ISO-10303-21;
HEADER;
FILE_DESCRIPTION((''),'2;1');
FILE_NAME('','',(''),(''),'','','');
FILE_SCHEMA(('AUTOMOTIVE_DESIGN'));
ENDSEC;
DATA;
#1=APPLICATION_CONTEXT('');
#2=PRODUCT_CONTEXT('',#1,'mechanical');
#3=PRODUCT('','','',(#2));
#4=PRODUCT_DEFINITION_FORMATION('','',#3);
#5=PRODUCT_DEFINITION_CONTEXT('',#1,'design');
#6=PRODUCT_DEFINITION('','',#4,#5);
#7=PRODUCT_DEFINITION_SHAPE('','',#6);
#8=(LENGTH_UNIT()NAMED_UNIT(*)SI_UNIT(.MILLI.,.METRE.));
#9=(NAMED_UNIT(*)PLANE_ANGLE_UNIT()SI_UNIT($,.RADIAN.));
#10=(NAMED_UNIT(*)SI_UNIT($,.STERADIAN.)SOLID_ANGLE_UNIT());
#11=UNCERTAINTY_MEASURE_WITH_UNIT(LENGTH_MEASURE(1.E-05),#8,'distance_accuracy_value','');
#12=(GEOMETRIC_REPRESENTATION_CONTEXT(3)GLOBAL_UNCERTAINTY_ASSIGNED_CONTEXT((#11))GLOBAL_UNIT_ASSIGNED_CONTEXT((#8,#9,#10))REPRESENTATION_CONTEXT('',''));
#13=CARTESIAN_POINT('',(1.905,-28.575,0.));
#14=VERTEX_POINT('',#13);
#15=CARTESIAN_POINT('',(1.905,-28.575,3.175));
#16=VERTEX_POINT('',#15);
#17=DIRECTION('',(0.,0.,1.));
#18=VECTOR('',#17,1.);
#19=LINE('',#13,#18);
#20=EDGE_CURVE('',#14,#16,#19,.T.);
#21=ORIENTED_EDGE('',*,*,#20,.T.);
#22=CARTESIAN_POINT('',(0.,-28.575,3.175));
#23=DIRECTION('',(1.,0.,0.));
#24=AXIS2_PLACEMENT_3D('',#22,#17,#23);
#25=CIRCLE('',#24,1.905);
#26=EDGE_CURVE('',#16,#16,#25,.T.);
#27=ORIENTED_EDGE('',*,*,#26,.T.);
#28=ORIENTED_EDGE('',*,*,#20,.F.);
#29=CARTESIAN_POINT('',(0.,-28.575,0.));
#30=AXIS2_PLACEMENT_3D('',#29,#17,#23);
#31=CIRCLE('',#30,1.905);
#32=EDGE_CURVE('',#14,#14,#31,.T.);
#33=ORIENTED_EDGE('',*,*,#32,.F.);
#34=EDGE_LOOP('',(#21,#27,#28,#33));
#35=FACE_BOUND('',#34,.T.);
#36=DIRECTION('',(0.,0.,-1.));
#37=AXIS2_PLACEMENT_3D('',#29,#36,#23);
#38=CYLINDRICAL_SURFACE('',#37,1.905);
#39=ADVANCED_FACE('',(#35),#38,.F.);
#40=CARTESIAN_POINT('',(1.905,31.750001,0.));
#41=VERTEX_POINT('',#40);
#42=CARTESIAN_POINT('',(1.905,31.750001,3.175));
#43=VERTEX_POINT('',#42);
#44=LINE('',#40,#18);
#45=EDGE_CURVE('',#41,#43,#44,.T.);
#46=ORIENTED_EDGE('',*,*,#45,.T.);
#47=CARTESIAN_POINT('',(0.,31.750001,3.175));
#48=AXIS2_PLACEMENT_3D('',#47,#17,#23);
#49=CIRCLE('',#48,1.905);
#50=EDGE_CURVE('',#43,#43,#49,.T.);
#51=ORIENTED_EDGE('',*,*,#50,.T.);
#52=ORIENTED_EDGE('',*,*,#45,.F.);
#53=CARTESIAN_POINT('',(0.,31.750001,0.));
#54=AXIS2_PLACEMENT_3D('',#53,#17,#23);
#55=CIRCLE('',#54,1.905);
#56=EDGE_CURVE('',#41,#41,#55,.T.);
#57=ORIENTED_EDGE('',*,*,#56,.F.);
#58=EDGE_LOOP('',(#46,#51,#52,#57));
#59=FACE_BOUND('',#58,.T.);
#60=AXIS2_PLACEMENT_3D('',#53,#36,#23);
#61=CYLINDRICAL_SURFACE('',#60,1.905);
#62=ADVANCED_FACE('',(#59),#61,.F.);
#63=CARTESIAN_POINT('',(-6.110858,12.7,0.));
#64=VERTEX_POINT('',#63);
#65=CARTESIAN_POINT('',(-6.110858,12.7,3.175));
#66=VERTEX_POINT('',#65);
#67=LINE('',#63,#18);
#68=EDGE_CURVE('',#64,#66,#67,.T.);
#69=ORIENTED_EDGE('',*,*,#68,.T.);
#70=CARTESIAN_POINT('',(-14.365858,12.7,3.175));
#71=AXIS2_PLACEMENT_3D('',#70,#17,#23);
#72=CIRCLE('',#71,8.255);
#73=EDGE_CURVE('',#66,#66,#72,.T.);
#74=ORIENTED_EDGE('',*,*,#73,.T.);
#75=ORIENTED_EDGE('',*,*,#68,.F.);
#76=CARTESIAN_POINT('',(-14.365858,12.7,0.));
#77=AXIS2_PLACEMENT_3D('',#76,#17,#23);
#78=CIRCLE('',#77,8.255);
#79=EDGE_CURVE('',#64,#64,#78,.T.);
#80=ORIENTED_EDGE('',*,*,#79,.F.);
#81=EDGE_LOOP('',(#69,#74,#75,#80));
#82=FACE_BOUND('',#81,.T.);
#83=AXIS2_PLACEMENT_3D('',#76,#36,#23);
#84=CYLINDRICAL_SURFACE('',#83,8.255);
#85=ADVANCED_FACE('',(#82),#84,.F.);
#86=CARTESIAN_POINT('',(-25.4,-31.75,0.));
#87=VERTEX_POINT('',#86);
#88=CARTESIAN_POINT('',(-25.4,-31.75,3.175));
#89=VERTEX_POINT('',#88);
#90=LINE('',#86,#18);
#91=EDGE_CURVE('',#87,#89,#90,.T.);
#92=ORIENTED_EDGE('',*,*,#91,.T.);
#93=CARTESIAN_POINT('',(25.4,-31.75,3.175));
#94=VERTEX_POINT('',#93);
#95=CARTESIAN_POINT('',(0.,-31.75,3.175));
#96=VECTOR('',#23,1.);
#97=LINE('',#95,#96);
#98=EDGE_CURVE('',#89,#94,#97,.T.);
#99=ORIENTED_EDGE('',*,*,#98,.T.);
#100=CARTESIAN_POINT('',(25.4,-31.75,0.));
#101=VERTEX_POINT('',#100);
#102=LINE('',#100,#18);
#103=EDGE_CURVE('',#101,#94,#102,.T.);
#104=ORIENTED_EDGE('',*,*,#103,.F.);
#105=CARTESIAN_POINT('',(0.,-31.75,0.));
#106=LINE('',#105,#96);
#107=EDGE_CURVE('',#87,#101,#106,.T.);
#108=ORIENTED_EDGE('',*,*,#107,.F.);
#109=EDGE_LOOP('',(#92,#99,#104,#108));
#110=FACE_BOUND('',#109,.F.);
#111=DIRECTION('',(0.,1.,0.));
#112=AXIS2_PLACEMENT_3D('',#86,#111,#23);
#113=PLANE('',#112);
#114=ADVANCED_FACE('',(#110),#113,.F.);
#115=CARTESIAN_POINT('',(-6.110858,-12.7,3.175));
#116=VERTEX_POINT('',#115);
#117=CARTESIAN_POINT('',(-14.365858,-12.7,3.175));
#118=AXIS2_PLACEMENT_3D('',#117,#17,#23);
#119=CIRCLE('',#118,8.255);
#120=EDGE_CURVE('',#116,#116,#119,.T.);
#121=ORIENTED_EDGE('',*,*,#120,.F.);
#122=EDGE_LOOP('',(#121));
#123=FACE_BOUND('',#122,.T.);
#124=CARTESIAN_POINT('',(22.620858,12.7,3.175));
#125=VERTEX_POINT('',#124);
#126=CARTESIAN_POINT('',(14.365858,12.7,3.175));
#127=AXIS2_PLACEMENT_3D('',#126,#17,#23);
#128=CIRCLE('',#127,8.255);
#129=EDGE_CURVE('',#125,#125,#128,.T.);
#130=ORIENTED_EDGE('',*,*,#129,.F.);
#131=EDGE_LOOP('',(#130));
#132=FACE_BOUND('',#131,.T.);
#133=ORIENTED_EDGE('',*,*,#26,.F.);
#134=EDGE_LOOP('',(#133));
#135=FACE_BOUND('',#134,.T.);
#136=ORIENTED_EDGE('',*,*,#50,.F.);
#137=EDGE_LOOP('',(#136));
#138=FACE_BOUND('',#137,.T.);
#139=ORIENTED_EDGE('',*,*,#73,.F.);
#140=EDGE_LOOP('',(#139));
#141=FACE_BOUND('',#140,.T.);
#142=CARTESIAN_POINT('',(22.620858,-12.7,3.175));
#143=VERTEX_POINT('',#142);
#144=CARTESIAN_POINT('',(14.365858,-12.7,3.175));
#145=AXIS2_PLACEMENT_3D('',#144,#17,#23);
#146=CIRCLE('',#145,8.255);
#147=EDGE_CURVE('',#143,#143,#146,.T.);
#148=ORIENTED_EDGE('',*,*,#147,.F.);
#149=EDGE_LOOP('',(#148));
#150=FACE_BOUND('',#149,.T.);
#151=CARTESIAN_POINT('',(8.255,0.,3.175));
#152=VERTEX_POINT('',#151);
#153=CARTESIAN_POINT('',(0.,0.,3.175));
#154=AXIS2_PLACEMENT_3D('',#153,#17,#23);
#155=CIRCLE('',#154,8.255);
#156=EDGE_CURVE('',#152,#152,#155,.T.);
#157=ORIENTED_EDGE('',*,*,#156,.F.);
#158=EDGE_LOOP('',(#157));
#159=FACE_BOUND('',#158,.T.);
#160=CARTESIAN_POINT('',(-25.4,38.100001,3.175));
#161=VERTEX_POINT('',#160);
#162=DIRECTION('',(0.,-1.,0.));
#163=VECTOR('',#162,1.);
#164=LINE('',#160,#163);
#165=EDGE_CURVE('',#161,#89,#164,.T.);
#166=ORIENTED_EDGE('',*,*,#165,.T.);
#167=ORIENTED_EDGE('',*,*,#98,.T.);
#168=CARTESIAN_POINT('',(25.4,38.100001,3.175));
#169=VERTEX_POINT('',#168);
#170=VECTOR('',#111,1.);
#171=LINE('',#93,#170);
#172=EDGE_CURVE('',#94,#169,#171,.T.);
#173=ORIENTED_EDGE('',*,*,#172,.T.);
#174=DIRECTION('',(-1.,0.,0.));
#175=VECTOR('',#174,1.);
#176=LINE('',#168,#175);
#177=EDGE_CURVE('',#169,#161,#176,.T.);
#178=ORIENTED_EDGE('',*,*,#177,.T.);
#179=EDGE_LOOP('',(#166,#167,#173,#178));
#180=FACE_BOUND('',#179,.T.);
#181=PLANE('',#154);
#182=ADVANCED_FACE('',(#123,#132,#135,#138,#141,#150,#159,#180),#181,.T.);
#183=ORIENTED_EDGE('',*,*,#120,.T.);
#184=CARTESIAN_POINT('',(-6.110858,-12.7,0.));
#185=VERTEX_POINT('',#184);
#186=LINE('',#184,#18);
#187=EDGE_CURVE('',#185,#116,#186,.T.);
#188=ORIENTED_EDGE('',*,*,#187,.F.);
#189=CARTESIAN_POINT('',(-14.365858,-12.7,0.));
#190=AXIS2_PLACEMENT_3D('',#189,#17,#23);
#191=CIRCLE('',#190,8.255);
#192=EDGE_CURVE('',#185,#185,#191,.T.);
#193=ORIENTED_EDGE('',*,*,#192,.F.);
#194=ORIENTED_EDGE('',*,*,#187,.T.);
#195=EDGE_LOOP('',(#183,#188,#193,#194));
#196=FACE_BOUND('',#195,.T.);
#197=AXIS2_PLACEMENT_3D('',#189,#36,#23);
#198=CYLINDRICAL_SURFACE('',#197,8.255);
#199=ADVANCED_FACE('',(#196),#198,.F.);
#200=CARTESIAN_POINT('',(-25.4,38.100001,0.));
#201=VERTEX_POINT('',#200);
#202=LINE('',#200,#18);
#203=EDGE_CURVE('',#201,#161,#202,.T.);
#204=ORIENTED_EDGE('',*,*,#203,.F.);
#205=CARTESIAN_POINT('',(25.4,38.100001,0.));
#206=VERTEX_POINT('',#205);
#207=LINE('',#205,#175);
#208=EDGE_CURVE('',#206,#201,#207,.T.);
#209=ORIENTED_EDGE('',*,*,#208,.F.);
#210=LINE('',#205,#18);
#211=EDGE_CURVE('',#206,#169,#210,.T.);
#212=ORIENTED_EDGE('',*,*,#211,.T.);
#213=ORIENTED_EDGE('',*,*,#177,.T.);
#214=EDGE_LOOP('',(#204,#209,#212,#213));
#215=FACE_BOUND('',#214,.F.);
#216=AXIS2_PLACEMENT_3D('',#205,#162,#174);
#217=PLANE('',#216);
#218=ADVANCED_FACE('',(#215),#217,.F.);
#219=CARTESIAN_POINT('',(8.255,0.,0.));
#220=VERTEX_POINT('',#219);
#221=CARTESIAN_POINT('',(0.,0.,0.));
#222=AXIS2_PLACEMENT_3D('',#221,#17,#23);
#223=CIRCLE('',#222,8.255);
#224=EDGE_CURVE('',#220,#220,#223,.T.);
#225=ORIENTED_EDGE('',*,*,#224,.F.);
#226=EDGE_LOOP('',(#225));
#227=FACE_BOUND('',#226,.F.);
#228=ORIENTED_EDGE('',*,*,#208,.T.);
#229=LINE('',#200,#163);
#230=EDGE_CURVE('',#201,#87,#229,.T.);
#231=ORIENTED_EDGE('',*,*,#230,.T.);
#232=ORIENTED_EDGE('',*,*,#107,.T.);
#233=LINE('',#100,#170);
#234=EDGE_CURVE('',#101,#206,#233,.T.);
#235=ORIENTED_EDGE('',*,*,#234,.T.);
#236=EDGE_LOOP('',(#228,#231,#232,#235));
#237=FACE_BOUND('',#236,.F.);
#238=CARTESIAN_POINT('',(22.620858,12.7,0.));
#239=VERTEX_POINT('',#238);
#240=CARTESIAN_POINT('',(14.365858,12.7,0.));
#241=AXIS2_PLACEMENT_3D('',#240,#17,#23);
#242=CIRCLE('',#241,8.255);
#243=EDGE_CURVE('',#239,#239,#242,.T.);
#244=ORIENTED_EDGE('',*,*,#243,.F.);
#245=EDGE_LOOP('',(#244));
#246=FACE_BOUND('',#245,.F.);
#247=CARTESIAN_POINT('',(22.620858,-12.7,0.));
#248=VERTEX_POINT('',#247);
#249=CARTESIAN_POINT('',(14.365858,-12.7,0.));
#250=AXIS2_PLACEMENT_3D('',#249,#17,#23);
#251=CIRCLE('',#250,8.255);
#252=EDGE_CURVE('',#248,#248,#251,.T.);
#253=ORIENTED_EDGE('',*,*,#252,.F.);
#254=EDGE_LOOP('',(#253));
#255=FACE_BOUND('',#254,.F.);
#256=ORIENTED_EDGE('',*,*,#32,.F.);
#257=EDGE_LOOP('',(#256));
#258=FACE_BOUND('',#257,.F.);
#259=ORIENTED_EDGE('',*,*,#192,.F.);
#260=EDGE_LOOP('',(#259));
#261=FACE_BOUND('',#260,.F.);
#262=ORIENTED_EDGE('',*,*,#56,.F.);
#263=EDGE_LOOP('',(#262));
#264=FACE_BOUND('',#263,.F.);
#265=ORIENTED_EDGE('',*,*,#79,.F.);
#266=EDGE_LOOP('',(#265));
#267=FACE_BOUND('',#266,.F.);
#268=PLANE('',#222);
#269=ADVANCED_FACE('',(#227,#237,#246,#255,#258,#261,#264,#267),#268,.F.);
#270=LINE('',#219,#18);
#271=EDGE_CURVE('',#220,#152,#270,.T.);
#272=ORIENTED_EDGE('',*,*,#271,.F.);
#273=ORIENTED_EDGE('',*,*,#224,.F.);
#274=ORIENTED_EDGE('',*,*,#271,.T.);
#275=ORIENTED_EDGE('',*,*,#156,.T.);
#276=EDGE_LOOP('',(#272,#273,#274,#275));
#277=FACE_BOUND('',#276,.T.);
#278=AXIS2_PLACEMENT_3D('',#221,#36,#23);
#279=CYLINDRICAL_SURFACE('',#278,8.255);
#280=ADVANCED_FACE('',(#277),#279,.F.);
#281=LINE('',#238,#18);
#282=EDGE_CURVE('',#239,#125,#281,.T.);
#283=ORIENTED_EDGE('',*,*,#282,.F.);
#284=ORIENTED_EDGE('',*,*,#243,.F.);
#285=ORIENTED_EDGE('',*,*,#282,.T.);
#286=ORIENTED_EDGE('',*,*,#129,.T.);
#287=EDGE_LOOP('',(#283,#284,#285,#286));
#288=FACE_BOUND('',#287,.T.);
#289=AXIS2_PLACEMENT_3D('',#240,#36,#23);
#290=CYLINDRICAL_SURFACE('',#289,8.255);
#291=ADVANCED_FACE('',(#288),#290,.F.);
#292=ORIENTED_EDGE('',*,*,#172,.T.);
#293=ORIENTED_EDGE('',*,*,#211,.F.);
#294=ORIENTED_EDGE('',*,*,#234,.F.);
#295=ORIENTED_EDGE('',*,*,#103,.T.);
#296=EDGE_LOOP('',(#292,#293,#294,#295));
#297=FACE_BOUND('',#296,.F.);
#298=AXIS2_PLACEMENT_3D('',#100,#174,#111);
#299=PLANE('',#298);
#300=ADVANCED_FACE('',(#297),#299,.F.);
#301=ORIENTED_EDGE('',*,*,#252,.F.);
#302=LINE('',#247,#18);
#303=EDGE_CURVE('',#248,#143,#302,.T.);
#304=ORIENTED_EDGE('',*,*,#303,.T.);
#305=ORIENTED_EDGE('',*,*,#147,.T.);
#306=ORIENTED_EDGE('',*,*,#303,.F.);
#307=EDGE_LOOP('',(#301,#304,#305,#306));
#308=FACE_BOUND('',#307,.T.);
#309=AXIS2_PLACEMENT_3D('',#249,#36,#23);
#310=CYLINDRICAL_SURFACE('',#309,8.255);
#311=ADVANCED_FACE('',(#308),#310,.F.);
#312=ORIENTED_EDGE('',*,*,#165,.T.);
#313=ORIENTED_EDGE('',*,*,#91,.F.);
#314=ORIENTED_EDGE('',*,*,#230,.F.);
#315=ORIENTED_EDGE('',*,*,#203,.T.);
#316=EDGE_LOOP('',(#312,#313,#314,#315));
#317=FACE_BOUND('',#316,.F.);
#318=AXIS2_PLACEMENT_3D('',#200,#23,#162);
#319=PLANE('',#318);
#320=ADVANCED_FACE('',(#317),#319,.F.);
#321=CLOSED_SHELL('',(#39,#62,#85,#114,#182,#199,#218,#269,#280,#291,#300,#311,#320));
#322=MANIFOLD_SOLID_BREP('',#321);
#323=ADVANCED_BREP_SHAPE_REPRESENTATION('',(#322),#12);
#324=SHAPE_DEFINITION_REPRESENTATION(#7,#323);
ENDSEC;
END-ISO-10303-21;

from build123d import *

# Parameters (mm, degrees)
F0_W     = 50.8
F0_H     = 50.8
F0_R     = 8.255
F0_R_2   = 1.905
F0_H_2   = 6.35
F1_DEPTH = 3.175


with BuildPart() as f1:
    # F0 (on Top) → F1 (new body)
    with BuildSketch(Plane.XY):
        Rectangle(F0_W, F0_H)
        with Locations((-14.365858, -12.7)):
            Circle(F0_R, mode=Mode.SUBTRACT)
        Circle(F0_R, mode=Mode.SUBTRACT)
        with Locations((14.365858, -12.7)):
            Circle(F0_R, mode=Mode.SUBTRACT)
        with Locations((-14.365858, 12.7)):
            Circle(F0_R, mode=Mode.SUBTRACT)
        with Locations((14.365858, 12.7)):
            Circle(F0_R, mode=Mode.SUBTRACT)
        Polygon((-25.4, 31.750001), (-25.4, 25.4), (25.4, 25.4), (25.4, 31.750001), (25.4, 38.100001), (14.365858, 38.100001), (-14.365858, 38.100001), (-25.4, 38.100001), align=None)
        with Locations((0, 31.750001)):
            Circle(F0_R_2, mode=Mode.SUBTRACT)
        with Locations((0, -28.575)):
            Rectangle(F0_W, F0_H_2)
        with Locations((0, -28.575)):
            Circle(F0_R_2, mode=Mode.SUBTRACT)
    extrude(amount=F1_DEPTH)


solid = f1.part
